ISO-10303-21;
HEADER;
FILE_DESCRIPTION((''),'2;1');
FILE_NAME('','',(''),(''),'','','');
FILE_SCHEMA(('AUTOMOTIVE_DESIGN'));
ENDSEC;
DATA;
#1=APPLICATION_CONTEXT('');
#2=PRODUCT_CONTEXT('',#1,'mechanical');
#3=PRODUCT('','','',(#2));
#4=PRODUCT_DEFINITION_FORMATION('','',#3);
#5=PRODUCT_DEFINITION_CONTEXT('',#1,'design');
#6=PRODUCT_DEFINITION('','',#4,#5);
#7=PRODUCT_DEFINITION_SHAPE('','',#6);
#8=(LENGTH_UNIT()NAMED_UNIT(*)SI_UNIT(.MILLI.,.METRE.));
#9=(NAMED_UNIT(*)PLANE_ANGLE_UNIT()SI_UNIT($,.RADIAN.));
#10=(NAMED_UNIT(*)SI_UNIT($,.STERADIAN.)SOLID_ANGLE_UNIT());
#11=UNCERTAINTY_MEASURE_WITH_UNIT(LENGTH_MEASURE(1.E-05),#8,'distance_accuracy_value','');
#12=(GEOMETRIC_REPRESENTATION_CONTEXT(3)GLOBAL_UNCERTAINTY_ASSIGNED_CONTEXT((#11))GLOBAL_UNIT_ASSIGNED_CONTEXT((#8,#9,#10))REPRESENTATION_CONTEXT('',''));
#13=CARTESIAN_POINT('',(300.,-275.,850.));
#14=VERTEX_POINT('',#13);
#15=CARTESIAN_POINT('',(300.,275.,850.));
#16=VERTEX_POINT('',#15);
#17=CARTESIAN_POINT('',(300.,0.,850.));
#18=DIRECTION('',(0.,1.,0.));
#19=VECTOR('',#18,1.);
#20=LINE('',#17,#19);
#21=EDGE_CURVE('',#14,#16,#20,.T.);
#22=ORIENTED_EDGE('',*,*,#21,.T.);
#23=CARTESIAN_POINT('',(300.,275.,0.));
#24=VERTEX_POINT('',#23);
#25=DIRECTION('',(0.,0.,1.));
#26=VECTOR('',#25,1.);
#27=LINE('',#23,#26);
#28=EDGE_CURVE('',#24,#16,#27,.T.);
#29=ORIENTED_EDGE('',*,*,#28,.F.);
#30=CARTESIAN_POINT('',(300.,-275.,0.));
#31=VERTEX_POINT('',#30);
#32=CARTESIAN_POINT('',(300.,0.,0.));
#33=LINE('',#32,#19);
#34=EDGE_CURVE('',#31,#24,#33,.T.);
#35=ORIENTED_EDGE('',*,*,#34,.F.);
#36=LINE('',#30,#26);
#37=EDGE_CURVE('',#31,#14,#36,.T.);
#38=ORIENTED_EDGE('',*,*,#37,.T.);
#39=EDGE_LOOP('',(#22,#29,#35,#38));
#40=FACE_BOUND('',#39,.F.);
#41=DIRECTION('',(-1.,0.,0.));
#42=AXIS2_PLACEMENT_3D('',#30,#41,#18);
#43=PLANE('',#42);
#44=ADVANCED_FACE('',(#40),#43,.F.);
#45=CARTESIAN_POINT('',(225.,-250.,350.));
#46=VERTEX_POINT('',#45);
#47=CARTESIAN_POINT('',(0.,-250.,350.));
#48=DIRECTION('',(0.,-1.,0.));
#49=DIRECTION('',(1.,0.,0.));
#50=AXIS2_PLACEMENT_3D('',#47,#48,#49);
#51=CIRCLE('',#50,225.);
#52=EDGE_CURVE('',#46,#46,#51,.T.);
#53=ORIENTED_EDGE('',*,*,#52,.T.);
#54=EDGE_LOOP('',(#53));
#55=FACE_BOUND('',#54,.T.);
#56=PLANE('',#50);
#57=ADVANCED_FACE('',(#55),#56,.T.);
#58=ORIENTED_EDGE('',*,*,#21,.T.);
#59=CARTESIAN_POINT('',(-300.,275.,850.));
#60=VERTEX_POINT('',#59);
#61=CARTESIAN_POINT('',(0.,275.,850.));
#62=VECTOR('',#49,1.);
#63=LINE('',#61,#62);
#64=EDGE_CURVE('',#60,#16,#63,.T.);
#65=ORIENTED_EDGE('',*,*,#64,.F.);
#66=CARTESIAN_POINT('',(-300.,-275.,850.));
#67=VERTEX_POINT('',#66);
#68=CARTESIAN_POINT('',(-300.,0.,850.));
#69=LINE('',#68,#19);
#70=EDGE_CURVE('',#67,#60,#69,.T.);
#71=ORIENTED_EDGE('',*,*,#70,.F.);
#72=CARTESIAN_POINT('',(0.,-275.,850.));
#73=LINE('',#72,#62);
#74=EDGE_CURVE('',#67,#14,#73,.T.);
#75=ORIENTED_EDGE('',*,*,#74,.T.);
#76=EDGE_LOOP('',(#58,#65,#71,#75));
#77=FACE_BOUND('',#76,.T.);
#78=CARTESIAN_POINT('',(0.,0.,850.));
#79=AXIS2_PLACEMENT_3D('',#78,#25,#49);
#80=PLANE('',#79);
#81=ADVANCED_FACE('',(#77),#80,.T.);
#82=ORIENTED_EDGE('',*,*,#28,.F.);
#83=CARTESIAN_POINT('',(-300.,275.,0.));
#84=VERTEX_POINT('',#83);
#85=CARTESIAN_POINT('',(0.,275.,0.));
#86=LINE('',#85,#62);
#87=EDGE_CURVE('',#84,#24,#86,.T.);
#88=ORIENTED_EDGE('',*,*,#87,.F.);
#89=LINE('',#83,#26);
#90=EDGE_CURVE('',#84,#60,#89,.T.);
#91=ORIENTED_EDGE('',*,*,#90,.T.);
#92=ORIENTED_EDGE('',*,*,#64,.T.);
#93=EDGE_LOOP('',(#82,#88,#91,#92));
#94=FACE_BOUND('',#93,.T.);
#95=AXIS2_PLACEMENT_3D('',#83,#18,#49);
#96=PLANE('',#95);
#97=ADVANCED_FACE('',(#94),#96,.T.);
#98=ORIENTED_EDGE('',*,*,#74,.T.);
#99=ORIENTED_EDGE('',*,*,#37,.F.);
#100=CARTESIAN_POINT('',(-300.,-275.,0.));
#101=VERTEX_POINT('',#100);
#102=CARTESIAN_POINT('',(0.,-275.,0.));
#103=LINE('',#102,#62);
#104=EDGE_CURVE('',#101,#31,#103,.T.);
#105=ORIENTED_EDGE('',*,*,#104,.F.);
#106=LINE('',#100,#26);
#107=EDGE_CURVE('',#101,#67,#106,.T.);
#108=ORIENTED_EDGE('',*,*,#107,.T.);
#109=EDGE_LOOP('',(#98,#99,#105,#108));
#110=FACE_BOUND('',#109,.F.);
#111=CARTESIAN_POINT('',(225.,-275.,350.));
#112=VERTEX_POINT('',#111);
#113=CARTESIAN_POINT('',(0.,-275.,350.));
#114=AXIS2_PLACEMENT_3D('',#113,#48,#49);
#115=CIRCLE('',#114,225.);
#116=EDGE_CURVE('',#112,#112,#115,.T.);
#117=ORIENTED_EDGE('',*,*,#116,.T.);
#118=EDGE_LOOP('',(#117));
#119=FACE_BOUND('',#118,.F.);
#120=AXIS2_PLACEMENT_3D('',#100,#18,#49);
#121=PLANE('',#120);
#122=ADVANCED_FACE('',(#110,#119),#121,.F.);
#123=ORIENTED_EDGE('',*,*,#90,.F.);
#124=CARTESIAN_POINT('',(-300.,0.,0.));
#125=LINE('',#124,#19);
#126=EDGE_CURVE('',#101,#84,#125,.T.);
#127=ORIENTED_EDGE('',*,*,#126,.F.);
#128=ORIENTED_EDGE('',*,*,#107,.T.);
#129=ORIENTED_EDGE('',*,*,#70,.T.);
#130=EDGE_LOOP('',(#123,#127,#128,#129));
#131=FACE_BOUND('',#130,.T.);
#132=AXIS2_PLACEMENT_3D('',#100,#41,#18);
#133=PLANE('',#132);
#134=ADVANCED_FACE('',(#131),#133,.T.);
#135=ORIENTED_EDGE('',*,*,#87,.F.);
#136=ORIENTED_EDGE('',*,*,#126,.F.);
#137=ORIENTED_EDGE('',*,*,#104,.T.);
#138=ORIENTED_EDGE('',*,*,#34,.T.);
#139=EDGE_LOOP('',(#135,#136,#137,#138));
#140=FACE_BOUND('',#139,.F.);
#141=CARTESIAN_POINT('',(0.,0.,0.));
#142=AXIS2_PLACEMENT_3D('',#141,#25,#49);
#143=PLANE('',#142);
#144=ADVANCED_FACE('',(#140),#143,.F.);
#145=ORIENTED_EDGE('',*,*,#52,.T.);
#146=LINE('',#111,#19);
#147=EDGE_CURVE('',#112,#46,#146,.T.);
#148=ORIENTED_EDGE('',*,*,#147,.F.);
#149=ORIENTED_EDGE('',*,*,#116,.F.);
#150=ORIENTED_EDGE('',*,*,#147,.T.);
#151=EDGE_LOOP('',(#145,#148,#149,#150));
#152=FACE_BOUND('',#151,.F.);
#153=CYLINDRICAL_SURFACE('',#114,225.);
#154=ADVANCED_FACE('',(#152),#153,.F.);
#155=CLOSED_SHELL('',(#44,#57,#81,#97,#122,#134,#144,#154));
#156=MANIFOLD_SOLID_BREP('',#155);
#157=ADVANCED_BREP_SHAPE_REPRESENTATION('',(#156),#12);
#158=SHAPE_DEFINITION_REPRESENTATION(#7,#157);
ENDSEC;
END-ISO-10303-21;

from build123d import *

# Parameters (mm, degrees)
F0_W     = 600
F0_H     = 550
F1_DEPTH = 850
F2_R     = 225
F3_DEPTH = 25


with BuildPart() as f1:
    # F0 (on Top) → F1 (new body)
    with BuildSketch(Plane.XY):
        Rectangle(F0_W, F0_H)
    extrude(amount=F1_DEPTH)

    # F2 (on face) → F3 (cut)
    with BuildSketch(Plane.XZ.offset(275)):
        with Locations((0, 350)):
            Circle(F2_R)
    extrude(amount=-F3_DEPTH, mode=Mode.SUBTRACT)


solid = f1.part
